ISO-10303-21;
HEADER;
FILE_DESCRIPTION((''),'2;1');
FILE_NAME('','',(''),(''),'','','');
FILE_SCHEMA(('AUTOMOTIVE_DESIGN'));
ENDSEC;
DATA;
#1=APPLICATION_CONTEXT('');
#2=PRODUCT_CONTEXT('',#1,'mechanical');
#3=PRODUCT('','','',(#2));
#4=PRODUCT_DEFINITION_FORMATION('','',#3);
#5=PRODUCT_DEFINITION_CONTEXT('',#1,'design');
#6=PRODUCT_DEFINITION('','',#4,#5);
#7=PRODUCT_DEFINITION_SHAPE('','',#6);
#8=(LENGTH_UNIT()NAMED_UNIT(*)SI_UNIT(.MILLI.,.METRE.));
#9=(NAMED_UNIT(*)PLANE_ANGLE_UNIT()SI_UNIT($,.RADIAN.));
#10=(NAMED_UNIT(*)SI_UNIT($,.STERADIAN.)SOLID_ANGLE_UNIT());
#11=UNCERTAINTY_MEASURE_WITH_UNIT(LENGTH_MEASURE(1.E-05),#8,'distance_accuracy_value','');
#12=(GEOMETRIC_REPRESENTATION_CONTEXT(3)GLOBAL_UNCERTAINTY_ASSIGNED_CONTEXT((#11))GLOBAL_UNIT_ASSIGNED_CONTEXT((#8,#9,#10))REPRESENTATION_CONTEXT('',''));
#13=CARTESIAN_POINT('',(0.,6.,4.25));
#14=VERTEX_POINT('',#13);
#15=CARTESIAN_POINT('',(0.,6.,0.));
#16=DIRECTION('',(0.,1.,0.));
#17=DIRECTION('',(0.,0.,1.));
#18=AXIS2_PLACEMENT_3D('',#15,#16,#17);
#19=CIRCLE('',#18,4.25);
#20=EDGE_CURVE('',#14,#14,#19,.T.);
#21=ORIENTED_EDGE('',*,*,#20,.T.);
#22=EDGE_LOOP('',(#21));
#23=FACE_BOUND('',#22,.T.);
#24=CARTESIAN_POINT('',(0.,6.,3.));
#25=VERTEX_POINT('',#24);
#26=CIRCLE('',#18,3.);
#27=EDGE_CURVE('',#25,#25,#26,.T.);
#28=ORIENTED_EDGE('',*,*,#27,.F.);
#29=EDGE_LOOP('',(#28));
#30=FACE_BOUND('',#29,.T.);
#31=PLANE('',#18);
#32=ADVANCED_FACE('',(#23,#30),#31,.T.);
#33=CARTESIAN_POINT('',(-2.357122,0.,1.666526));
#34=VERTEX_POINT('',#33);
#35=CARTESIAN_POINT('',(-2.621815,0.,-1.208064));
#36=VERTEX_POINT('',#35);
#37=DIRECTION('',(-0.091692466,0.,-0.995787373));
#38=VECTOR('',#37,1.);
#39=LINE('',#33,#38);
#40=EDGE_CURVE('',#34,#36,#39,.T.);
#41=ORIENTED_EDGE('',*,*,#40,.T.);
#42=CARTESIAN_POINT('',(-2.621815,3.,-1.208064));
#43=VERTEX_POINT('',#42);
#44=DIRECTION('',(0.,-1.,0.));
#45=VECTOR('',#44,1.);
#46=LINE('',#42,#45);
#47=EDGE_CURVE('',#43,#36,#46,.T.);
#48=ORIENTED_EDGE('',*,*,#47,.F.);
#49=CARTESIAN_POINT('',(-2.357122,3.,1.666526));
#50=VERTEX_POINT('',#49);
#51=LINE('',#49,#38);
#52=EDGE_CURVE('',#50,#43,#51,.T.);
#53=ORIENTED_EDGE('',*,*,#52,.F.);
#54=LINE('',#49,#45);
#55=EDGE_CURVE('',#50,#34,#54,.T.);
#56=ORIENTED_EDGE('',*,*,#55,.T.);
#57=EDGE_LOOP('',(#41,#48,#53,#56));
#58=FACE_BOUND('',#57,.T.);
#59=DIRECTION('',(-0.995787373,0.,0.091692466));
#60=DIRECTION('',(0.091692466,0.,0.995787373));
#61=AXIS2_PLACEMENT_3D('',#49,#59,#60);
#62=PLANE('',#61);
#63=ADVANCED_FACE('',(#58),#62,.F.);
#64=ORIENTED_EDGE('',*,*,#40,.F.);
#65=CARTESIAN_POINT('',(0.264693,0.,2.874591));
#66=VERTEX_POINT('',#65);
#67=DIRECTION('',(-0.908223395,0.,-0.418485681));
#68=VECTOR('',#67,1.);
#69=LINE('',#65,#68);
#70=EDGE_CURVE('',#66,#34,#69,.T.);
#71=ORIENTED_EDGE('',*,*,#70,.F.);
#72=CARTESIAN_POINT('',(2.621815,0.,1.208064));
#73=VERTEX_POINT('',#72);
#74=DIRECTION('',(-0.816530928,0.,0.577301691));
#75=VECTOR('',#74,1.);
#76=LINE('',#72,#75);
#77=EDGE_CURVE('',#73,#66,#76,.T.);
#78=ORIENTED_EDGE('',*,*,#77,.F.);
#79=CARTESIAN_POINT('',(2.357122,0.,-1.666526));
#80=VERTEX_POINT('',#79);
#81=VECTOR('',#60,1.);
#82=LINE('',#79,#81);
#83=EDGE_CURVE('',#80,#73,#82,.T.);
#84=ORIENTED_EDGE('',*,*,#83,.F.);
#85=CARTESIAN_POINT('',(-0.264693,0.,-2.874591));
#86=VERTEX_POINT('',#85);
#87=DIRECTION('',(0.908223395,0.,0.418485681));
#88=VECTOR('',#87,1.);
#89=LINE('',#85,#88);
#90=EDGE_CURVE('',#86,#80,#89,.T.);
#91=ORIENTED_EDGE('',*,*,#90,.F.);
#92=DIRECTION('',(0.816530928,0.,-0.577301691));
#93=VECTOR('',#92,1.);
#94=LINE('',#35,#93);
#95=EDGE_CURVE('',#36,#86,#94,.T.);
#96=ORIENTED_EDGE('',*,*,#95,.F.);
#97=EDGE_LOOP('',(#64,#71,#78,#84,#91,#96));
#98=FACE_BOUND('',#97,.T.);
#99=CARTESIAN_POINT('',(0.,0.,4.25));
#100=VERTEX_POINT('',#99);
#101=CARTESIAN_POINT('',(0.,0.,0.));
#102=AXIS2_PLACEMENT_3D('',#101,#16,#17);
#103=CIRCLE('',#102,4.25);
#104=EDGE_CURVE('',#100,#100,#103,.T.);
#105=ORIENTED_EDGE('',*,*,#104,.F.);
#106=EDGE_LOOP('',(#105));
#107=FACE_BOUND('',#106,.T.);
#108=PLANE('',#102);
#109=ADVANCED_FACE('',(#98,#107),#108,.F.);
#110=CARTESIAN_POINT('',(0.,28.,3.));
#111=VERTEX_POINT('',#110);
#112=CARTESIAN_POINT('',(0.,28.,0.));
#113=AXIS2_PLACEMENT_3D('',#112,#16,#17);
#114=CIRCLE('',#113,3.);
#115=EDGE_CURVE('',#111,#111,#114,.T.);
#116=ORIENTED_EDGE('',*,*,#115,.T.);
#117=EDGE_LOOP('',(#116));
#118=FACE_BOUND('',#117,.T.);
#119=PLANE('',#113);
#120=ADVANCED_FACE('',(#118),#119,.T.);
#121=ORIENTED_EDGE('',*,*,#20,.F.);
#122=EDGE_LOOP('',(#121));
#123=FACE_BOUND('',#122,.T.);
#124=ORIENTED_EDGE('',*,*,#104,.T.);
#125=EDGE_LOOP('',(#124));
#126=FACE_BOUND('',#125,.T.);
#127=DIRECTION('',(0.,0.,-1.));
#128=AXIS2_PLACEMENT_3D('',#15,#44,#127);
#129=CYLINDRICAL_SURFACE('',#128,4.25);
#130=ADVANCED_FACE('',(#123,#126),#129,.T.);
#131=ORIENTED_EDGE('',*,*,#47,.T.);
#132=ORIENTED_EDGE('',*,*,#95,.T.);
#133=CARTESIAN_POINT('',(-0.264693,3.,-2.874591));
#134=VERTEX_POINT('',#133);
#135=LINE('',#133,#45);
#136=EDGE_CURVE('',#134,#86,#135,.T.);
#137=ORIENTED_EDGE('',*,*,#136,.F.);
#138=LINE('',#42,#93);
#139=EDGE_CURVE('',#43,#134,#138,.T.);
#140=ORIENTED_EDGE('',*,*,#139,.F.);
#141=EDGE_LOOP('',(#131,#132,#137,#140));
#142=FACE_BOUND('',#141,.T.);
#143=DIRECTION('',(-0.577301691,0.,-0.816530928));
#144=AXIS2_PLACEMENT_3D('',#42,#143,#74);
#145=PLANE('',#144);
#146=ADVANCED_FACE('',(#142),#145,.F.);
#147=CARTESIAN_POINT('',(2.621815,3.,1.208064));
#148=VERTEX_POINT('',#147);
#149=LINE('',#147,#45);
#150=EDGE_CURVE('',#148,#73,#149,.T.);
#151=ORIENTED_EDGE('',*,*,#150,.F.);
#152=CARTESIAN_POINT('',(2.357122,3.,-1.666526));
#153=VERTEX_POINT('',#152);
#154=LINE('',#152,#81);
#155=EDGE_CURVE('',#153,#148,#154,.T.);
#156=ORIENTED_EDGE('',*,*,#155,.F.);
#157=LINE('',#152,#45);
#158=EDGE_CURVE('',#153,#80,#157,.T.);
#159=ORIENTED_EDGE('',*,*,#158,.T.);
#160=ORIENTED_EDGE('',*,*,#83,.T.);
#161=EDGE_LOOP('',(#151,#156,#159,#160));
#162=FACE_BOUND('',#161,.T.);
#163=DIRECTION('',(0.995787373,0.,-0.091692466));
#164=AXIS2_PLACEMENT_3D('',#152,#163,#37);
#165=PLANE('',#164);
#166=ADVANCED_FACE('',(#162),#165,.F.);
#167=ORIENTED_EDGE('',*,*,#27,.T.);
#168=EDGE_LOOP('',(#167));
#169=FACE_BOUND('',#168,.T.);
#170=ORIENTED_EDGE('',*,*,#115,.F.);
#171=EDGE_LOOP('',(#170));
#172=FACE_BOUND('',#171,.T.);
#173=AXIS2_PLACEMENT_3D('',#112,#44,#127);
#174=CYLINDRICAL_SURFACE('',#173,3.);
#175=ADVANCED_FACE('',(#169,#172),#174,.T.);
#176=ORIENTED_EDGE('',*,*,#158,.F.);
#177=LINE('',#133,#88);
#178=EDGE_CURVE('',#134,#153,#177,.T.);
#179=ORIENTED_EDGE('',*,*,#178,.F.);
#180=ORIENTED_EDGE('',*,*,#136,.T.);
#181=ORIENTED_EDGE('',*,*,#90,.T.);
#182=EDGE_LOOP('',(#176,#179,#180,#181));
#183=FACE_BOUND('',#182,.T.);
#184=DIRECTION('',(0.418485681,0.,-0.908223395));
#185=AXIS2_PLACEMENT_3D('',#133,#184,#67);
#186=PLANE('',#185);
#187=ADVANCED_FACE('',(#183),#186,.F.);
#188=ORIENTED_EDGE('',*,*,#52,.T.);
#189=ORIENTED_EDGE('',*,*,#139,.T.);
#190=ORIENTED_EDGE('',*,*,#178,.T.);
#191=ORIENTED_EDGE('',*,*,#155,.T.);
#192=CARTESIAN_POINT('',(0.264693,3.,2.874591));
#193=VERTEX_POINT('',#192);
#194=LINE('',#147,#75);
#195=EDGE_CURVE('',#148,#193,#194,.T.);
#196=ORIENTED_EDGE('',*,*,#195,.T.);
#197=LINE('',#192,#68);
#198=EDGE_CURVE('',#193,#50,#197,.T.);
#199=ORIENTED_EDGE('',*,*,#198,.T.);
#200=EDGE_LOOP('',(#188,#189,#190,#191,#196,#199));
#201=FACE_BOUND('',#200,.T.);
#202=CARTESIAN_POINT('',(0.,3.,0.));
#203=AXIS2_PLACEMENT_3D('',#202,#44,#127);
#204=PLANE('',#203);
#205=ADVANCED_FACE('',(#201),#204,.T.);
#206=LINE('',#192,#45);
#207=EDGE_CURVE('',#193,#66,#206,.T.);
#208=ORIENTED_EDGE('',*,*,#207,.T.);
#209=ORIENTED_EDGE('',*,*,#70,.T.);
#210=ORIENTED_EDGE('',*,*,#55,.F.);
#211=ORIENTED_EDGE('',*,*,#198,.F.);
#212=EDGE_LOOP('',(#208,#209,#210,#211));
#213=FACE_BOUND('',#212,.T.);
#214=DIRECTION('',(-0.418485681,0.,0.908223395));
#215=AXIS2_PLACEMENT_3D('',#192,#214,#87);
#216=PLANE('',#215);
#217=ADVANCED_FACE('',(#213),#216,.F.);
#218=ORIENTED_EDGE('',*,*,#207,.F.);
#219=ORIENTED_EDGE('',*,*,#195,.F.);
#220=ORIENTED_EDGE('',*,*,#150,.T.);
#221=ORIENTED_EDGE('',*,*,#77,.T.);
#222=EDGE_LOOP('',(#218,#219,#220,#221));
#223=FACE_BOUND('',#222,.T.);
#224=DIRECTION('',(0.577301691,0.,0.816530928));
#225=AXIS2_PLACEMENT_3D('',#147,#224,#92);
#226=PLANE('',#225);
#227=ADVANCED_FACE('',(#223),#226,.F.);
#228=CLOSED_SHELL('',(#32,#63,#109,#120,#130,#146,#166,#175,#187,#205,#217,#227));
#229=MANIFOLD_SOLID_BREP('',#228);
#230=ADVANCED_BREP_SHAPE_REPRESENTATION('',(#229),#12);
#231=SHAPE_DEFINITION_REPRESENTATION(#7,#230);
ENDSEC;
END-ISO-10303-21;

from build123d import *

# Parameters (mm, degrees)
SKETCH_1_R          = 4.25
EXTRUDE_1_DEPTH     = 6
SKETCH_2_R          = 3
EXTRUDE_2_DEPTH     = 22
CUT_EXTRUDE_1_DEPTH = 3


with BuildPart() as part:
    # 草图1 → 凸台-拉伸1 (new body)
    with BuildSketch(Plane(origin=(0, 0, 0), x_dir=(1, 0, 0), z_dir=(0, 1, 0))):
        with Locations(Location((0, 0, 0), (0, 0, 270))):
            Circle(SKETCH_1_R)
    extrude(amount=EXTRUDE_1_DEPTH)

    # 草图2 → 凸台-拉伸2 (add)
    with BuildSketch(Plane(origin=(0, 6, 0), x_dir=(1, 0, 0), z_dir=(0, 1, 0))):
        with Locations(Location((0, 0, 0), (0, 0, 270))):
            Circle(SKETCH_2_R)
    extrude(amount=EXTRUDE_2_DEPTH)

    # 草图3 → 切除-拉伸1 (cut)
    with BuildSketch(Plane.XZ):
        Polygon((2.357121757, -1.666526435), (2.621815107, 1.208064104), (0.26469335, 2.874590538), (-2.357121757, 1.666526435), (-2.621815107, -1.208064104), (-0.26469335, -2.874590538), align=None)
    extrude(amount=-CUT_EXTRUDE_1_DEPTH, mode=Mode.SUBTRACT)


solid = part.part
